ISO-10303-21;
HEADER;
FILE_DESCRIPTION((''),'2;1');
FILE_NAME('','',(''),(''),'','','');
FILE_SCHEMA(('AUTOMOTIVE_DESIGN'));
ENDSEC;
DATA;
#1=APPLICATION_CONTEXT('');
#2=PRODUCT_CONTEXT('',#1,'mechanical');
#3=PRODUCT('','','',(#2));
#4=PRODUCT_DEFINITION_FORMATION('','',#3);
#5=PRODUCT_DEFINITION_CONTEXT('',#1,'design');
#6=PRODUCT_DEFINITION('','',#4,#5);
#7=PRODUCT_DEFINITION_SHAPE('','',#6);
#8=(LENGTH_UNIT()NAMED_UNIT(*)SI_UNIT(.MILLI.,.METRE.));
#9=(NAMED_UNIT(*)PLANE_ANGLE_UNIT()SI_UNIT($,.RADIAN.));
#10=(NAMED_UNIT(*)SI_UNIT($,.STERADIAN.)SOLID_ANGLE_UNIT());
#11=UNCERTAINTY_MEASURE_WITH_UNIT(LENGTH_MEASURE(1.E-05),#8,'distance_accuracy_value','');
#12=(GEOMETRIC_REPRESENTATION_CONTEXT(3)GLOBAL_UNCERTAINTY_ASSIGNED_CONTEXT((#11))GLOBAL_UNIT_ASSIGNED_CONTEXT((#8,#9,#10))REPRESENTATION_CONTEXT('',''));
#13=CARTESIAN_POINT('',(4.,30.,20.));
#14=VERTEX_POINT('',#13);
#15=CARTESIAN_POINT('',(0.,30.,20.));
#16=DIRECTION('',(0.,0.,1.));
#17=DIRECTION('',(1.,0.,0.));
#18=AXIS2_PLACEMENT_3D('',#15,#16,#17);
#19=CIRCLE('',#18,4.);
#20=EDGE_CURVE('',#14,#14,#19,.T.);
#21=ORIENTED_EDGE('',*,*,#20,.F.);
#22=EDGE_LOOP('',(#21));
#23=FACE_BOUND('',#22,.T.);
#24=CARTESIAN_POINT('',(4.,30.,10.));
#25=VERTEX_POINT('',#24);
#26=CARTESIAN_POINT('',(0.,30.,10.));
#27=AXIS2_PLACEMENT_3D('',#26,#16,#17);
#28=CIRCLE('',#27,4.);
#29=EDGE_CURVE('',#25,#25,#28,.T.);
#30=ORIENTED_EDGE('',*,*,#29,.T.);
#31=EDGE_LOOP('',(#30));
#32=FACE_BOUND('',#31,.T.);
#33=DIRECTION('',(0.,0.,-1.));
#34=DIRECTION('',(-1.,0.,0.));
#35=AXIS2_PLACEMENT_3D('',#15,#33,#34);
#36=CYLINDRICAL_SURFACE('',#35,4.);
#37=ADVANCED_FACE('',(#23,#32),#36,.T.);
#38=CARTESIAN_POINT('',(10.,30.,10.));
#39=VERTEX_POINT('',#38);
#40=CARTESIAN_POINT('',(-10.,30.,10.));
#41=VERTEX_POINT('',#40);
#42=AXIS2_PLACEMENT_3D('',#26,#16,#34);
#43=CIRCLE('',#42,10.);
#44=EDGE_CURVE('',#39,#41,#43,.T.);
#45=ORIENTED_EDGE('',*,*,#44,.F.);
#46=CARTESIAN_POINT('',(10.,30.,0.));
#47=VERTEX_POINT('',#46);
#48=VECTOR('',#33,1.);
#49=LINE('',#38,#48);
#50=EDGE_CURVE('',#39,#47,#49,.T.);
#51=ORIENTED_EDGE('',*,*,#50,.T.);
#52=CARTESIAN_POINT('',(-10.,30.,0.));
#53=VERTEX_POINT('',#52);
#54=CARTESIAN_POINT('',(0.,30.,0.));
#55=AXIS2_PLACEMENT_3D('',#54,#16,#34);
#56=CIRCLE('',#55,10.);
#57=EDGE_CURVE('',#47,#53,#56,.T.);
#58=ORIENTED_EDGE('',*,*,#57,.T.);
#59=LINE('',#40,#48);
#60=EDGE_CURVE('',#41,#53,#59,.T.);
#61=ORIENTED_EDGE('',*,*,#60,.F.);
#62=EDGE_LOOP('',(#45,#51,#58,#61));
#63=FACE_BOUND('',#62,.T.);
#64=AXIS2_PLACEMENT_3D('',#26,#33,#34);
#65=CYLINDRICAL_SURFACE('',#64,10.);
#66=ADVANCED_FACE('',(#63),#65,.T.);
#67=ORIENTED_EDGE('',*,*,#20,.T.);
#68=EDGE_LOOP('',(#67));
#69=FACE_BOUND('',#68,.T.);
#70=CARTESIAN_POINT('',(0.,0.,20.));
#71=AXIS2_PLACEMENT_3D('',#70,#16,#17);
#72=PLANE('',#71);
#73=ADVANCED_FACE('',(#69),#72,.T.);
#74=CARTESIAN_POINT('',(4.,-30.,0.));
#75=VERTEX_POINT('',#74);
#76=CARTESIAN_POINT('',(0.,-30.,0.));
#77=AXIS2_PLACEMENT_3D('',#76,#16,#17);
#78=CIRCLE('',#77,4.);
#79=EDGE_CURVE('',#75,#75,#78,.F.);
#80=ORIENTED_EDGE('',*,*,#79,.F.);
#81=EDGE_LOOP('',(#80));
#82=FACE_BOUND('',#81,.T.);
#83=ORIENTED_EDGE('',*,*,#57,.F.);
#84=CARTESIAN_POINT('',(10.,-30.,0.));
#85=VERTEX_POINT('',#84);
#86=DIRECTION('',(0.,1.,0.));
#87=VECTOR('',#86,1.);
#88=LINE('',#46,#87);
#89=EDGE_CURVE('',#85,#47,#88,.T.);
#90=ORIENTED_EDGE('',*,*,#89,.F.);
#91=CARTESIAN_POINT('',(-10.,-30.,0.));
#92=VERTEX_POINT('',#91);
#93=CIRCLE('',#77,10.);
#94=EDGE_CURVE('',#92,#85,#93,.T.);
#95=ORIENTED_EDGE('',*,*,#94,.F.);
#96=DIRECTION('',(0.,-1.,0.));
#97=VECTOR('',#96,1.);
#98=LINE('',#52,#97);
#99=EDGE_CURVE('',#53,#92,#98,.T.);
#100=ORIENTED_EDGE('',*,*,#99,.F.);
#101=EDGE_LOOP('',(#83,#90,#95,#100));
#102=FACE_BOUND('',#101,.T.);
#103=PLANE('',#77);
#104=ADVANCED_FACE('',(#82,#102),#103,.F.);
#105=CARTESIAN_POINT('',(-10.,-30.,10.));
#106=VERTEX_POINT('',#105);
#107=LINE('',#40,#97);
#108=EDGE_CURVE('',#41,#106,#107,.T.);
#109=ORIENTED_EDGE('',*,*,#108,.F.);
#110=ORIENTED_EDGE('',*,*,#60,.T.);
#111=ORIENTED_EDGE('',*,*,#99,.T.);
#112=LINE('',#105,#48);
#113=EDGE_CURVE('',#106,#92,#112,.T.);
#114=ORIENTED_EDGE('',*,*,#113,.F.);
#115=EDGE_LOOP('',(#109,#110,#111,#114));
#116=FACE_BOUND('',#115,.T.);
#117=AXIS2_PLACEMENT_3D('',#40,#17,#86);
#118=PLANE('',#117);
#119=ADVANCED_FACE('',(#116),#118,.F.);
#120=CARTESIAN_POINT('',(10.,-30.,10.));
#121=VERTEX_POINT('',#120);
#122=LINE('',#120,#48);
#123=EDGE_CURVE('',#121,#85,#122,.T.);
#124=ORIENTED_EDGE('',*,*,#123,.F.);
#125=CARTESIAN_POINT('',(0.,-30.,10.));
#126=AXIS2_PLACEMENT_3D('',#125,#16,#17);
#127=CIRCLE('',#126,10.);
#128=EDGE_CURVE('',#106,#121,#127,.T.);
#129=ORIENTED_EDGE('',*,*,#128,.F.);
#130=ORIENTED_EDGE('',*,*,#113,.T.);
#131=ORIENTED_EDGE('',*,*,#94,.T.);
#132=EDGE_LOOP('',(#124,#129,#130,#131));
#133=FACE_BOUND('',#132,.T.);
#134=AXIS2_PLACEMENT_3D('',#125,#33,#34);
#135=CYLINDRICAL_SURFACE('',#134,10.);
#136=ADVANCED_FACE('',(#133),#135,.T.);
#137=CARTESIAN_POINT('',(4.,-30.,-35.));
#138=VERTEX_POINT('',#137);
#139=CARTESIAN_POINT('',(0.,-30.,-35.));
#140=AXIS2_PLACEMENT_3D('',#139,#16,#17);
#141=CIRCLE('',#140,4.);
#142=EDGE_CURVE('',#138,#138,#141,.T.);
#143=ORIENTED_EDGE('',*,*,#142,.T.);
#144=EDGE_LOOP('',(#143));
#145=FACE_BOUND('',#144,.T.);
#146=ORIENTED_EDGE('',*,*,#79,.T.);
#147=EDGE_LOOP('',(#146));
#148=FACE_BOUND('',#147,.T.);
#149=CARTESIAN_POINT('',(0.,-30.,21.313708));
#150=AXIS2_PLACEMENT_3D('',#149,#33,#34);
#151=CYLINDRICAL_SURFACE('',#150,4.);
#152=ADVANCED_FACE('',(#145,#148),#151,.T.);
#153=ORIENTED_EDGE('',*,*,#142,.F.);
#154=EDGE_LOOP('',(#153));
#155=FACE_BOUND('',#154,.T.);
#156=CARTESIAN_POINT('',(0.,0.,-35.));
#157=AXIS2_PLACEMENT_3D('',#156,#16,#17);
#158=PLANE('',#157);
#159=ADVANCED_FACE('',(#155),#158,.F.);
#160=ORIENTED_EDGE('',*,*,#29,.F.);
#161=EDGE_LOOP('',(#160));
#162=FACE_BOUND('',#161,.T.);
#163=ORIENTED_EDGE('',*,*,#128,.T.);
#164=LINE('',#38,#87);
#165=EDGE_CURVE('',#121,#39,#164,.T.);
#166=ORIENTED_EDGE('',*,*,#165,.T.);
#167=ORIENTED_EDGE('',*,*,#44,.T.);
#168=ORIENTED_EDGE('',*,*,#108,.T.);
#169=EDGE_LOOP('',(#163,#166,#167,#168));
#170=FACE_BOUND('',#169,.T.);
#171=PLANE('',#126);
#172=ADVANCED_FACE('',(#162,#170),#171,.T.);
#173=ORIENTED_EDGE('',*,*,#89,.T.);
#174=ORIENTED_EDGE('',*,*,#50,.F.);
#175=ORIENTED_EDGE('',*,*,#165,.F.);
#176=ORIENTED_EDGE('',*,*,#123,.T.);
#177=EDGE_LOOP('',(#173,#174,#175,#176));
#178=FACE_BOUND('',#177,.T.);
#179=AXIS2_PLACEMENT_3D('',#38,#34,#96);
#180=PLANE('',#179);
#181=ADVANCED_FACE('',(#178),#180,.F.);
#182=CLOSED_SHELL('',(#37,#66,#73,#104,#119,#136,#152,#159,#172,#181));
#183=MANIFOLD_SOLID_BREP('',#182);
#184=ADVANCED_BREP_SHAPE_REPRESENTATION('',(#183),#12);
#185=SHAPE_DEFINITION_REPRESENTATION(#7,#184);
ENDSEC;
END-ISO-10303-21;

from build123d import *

# Parameters (mm, degrees)
SKETCH1_R           = 4
BOSS_EXTRUDE1_DEPTH = 10
SKETCH1_2_R         = 4
BOSS_EXTRUDE2_DEPTH = 20
BOSS_EXTRUDE3_START = -35
SKETCH1_3_R         = 4
BOSS_EXTRUDE3_DEPTH = 45


with BuildPart() as part:
    # Sketch1 → Boss-Extrude1 (new body)
    with BuildSketch(Plane.XY):
        with BuildLine():
            Line((10, 30), (10, -30))
            ThreePointArc((10, -30), (0, -40), (-10, -30))
            Line((-10, -30), (-10, 30))
            ThreePointArc((-10, 30), (0, 40), (10, 30))
        make_face()
        with Locations((0, 30)):
            Circle(SKETCH1_R, mode=Mode.SUBTRACT)
        with Locations((0, -30)):
            Circle(SKETCH1_R, mode=Mode.SUBTRACT)
    extrude(amount=BOSS_EXTRUDE1_DEPTH)

    # Sketch1<2> → Boss-Extrude2 (add)
    with BuildSketch(Plane.XY):
        with Locations((0, 30)):
            Circle(SKETCH1_2_R)
    extrude(amount=BOSS_EXTRUDE2_DEPTH)

    # Sketch1<3> → Boss-Extrude3 (add)
    with BuildSketch(Plane.XY.offset(BOSS_EXTRUDE3_START)):
        with Locations((0, -30)):
            Circle(SKETCH1_3_R)
    extrude(amount=BOSS_EXTRUDE3_DEPTH)


solid = part.part
